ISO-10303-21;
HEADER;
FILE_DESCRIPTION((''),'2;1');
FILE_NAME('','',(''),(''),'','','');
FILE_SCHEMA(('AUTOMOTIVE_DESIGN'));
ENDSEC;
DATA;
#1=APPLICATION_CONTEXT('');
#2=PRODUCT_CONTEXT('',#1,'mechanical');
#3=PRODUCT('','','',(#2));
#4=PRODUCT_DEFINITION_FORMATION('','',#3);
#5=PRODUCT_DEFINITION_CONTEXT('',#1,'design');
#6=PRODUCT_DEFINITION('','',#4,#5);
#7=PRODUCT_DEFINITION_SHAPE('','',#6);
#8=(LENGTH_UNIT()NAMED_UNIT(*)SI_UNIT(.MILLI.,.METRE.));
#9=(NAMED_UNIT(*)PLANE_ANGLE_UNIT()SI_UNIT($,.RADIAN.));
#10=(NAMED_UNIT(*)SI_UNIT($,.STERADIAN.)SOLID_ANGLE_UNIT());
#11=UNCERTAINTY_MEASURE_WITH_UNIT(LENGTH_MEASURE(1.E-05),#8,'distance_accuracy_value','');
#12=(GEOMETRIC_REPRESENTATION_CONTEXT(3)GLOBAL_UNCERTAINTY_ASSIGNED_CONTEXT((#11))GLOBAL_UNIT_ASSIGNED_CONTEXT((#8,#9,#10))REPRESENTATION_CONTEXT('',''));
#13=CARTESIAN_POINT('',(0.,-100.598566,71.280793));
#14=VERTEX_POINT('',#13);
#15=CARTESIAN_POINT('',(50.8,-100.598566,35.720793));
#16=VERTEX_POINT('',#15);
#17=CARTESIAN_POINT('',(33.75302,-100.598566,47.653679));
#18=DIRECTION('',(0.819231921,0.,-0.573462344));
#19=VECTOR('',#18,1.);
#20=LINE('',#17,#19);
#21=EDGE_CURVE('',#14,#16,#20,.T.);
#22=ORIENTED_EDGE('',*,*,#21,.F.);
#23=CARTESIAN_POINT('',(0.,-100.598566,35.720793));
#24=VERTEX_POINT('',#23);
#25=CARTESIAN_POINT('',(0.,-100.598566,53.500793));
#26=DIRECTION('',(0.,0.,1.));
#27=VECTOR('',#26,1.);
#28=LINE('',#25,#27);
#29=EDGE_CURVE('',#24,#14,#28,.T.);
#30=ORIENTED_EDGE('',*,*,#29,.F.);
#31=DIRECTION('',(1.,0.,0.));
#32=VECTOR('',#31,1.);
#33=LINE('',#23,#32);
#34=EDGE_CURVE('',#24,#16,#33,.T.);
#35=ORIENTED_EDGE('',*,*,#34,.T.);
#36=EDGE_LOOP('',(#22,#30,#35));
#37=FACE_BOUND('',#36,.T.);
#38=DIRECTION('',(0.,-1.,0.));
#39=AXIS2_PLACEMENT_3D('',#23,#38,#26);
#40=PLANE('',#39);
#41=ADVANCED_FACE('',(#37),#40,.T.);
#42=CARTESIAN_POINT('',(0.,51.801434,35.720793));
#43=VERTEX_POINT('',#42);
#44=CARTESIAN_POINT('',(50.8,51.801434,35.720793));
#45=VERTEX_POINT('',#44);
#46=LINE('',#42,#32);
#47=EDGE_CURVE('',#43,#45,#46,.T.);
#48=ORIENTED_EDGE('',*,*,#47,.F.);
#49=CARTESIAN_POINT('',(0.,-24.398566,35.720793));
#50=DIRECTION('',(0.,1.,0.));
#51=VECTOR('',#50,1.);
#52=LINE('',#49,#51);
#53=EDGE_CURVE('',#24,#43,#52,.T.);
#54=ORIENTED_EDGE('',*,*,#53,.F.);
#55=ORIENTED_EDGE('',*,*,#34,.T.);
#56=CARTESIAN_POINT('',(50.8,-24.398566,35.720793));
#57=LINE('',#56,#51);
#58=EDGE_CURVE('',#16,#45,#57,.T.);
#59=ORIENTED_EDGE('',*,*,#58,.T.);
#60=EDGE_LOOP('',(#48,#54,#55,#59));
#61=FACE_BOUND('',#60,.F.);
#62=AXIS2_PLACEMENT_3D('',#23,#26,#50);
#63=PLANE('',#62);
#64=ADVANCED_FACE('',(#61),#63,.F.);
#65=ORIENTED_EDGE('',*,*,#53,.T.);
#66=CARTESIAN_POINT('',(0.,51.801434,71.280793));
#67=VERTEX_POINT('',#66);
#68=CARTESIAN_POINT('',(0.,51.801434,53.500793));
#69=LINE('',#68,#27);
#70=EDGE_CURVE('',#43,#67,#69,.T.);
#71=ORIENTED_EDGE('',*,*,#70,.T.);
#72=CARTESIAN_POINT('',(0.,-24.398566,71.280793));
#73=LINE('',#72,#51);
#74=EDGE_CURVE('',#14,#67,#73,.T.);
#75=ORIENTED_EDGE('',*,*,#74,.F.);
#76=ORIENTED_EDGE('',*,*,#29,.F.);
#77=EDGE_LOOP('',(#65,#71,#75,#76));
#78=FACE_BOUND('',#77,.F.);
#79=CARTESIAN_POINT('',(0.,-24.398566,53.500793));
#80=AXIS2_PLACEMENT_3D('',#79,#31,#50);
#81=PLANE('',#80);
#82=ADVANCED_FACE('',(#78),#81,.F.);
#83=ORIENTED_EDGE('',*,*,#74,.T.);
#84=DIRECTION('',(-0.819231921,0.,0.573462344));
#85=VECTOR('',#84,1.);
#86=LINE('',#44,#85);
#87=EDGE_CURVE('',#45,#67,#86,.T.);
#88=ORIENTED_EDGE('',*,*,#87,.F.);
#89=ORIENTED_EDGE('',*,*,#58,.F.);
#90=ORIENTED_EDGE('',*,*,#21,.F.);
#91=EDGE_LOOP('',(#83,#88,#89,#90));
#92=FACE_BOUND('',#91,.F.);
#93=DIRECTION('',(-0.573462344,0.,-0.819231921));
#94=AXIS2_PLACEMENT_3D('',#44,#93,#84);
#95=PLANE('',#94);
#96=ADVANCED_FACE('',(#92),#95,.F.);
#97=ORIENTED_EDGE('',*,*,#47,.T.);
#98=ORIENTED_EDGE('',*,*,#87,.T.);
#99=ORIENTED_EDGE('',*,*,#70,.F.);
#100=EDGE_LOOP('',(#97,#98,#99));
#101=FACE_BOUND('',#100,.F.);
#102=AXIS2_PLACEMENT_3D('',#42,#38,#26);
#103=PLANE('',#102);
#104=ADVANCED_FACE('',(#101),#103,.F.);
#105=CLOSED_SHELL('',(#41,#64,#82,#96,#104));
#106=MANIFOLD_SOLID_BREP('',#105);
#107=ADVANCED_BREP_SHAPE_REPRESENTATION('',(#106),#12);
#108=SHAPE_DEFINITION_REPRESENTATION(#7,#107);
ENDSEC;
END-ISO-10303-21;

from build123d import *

# Parameters (mm, degrees)
F0_W     = 152.4
F0_H     = 35.56
F1_DEPTH = 50.8
F3_DEPTH = 203.2


with BuildPart() as f1:
    # F0 (on Right) → F1 (new body)
    with BuildSketch(Plane.YZ):
        with Locations((-24.398566, 53.500793)):
            Rectangle(F0_W, F0_H)
    extrude(amount=F1_DEPTH)

    # F2 (on face) → F3 (cut)
    with BuildSketch(Plane(origin=(0, 51.801434, 0), x_dir=(-1, 0, 0), z_dir=(0, 1, 0))):
        Polygon((-50.8, 35.720793), (0, 71.280793), (-50.8, 71.280793), align=None)
    extrude(amount=-F3_DEPTH, mode=Mode.SUBTRACT)


solid = f1.part
